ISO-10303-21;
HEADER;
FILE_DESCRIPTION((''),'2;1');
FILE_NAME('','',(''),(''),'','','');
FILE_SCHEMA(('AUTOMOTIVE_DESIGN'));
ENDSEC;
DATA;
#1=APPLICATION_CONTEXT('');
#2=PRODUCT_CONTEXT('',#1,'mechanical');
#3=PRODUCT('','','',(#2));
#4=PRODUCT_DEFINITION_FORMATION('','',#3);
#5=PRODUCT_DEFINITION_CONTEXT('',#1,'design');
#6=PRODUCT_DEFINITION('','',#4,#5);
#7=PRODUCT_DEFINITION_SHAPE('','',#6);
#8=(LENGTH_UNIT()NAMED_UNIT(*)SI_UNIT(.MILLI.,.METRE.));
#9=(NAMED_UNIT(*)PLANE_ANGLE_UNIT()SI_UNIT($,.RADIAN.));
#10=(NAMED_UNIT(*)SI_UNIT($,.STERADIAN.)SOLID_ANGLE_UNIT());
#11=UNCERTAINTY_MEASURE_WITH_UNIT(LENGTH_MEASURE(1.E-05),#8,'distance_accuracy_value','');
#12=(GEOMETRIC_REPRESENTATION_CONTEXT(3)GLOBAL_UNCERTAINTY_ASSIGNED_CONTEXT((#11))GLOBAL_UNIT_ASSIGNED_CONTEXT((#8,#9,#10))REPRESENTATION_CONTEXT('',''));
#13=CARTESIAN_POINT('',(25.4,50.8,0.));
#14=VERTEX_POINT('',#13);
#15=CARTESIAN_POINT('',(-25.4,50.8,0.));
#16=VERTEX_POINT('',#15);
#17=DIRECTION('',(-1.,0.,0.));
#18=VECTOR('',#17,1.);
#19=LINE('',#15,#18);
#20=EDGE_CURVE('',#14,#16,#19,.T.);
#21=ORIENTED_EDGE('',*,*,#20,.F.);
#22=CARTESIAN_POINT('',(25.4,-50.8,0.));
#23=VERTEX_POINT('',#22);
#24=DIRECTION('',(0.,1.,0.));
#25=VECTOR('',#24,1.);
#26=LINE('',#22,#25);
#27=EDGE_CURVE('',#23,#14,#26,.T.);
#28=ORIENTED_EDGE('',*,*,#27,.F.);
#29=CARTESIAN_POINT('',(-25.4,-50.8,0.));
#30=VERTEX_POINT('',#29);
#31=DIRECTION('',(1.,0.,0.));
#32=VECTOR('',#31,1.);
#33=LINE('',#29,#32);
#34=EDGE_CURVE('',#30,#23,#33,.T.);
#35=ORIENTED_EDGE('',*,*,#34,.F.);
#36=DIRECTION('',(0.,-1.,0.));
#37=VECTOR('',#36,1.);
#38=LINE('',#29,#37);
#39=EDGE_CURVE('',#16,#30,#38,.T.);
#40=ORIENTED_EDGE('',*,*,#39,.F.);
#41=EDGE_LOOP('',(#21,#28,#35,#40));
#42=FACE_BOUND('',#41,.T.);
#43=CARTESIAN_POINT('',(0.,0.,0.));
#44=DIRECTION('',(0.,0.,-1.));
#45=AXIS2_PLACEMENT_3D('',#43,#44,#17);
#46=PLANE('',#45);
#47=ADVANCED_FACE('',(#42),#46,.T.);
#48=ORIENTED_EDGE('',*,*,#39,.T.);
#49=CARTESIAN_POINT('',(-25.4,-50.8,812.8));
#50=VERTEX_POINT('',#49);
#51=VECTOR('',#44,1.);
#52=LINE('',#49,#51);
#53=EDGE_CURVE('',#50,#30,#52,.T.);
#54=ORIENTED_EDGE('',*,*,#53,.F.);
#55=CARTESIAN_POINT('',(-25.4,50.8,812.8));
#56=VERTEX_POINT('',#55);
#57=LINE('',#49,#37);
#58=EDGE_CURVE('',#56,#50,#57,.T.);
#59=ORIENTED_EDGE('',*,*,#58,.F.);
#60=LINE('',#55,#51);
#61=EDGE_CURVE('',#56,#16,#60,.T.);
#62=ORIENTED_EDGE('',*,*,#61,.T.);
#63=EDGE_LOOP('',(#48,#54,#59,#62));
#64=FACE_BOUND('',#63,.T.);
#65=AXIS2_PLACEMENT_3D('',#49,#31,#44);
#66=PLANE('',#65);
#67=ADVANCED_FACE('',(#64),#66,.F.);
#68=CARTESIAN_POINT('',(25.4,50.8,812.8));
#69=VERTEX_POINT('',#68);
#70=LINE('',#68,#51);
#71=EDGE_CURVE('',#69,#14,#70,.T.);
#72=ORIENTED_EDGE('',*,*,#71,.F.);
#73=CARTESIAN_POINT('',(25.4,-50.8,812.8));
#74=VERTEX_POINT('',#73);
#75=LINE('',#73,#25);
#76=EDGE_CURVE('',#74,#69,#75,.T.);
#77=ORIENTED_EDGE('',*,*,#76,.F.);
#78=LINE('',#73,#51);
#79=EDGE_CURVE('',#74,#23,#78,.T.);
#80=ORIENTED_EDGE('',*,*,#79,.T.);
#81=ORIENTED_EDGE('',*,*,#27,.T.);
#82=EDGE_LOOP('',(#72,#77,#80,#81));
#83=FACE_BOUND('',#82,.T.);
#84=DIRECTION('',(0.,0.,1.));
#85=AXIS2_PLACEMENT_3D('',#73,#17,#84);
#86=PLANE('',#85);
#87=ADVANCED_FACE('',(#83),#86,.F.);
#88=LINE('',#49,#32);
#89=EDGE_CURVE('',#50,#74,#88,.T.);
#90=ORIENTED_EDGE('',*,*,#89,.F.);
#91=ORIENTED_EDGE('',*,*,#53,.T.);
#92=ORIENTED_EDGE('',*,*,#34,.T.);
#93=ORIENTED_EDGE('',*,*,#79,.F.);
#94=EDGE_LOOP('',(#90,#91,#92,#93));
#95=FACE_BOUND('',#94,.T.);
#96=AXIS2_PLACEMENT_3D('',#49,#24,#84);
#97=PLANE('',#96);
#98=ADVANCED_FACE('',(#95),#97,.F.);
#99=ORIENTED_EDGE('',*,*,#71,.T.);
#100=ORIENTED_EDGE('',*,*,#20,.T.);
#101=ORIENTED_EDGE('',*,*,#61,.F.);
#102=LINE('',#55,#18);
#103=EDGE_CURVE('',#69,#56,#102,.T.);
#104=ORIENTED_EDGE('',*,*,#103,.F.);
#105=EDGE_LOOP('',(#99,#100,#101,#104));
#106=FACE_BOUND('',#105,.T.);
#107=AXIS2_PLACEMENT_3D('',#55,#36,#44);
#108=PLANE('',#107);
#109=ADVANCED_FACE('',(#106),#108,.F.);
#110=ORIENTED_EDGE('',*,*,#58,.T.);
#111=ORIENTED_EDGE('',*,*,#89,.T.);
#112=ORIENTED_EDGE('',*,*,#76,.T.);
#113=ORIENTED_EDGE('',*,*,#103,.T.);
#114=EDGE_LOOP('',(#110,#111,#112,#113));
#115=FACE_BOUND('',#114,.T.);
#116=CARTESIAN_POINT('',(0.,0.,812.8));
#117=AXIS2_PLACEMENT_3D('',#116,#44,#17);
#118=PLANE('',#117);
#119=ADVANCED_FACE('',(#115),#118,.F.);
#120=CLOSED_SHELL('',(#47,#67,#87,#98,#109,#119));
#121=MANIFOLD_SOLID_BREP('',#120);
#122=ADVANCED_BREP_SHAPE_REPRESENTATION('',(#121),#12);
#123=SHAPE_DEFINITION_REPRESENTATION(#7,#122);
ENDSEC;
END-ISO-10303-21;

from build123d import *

# Parameters (mm, degrees)
SKETCH1_W           = 50.8
SKETCH1_H           = 101.6
BOSS_EXTRUDE1_DEPTH = 812.8


with BuildPart() as part:
    # Sketch1 → Boss-Extrude1 (new body)
    with BuildSketch(Plane.XY):
        Rectangle(SKETCH1_W, SKETCH1_H)
    extrude(amount=BOSS_EXTRUDE1_DEPTH)


solid = part.part
